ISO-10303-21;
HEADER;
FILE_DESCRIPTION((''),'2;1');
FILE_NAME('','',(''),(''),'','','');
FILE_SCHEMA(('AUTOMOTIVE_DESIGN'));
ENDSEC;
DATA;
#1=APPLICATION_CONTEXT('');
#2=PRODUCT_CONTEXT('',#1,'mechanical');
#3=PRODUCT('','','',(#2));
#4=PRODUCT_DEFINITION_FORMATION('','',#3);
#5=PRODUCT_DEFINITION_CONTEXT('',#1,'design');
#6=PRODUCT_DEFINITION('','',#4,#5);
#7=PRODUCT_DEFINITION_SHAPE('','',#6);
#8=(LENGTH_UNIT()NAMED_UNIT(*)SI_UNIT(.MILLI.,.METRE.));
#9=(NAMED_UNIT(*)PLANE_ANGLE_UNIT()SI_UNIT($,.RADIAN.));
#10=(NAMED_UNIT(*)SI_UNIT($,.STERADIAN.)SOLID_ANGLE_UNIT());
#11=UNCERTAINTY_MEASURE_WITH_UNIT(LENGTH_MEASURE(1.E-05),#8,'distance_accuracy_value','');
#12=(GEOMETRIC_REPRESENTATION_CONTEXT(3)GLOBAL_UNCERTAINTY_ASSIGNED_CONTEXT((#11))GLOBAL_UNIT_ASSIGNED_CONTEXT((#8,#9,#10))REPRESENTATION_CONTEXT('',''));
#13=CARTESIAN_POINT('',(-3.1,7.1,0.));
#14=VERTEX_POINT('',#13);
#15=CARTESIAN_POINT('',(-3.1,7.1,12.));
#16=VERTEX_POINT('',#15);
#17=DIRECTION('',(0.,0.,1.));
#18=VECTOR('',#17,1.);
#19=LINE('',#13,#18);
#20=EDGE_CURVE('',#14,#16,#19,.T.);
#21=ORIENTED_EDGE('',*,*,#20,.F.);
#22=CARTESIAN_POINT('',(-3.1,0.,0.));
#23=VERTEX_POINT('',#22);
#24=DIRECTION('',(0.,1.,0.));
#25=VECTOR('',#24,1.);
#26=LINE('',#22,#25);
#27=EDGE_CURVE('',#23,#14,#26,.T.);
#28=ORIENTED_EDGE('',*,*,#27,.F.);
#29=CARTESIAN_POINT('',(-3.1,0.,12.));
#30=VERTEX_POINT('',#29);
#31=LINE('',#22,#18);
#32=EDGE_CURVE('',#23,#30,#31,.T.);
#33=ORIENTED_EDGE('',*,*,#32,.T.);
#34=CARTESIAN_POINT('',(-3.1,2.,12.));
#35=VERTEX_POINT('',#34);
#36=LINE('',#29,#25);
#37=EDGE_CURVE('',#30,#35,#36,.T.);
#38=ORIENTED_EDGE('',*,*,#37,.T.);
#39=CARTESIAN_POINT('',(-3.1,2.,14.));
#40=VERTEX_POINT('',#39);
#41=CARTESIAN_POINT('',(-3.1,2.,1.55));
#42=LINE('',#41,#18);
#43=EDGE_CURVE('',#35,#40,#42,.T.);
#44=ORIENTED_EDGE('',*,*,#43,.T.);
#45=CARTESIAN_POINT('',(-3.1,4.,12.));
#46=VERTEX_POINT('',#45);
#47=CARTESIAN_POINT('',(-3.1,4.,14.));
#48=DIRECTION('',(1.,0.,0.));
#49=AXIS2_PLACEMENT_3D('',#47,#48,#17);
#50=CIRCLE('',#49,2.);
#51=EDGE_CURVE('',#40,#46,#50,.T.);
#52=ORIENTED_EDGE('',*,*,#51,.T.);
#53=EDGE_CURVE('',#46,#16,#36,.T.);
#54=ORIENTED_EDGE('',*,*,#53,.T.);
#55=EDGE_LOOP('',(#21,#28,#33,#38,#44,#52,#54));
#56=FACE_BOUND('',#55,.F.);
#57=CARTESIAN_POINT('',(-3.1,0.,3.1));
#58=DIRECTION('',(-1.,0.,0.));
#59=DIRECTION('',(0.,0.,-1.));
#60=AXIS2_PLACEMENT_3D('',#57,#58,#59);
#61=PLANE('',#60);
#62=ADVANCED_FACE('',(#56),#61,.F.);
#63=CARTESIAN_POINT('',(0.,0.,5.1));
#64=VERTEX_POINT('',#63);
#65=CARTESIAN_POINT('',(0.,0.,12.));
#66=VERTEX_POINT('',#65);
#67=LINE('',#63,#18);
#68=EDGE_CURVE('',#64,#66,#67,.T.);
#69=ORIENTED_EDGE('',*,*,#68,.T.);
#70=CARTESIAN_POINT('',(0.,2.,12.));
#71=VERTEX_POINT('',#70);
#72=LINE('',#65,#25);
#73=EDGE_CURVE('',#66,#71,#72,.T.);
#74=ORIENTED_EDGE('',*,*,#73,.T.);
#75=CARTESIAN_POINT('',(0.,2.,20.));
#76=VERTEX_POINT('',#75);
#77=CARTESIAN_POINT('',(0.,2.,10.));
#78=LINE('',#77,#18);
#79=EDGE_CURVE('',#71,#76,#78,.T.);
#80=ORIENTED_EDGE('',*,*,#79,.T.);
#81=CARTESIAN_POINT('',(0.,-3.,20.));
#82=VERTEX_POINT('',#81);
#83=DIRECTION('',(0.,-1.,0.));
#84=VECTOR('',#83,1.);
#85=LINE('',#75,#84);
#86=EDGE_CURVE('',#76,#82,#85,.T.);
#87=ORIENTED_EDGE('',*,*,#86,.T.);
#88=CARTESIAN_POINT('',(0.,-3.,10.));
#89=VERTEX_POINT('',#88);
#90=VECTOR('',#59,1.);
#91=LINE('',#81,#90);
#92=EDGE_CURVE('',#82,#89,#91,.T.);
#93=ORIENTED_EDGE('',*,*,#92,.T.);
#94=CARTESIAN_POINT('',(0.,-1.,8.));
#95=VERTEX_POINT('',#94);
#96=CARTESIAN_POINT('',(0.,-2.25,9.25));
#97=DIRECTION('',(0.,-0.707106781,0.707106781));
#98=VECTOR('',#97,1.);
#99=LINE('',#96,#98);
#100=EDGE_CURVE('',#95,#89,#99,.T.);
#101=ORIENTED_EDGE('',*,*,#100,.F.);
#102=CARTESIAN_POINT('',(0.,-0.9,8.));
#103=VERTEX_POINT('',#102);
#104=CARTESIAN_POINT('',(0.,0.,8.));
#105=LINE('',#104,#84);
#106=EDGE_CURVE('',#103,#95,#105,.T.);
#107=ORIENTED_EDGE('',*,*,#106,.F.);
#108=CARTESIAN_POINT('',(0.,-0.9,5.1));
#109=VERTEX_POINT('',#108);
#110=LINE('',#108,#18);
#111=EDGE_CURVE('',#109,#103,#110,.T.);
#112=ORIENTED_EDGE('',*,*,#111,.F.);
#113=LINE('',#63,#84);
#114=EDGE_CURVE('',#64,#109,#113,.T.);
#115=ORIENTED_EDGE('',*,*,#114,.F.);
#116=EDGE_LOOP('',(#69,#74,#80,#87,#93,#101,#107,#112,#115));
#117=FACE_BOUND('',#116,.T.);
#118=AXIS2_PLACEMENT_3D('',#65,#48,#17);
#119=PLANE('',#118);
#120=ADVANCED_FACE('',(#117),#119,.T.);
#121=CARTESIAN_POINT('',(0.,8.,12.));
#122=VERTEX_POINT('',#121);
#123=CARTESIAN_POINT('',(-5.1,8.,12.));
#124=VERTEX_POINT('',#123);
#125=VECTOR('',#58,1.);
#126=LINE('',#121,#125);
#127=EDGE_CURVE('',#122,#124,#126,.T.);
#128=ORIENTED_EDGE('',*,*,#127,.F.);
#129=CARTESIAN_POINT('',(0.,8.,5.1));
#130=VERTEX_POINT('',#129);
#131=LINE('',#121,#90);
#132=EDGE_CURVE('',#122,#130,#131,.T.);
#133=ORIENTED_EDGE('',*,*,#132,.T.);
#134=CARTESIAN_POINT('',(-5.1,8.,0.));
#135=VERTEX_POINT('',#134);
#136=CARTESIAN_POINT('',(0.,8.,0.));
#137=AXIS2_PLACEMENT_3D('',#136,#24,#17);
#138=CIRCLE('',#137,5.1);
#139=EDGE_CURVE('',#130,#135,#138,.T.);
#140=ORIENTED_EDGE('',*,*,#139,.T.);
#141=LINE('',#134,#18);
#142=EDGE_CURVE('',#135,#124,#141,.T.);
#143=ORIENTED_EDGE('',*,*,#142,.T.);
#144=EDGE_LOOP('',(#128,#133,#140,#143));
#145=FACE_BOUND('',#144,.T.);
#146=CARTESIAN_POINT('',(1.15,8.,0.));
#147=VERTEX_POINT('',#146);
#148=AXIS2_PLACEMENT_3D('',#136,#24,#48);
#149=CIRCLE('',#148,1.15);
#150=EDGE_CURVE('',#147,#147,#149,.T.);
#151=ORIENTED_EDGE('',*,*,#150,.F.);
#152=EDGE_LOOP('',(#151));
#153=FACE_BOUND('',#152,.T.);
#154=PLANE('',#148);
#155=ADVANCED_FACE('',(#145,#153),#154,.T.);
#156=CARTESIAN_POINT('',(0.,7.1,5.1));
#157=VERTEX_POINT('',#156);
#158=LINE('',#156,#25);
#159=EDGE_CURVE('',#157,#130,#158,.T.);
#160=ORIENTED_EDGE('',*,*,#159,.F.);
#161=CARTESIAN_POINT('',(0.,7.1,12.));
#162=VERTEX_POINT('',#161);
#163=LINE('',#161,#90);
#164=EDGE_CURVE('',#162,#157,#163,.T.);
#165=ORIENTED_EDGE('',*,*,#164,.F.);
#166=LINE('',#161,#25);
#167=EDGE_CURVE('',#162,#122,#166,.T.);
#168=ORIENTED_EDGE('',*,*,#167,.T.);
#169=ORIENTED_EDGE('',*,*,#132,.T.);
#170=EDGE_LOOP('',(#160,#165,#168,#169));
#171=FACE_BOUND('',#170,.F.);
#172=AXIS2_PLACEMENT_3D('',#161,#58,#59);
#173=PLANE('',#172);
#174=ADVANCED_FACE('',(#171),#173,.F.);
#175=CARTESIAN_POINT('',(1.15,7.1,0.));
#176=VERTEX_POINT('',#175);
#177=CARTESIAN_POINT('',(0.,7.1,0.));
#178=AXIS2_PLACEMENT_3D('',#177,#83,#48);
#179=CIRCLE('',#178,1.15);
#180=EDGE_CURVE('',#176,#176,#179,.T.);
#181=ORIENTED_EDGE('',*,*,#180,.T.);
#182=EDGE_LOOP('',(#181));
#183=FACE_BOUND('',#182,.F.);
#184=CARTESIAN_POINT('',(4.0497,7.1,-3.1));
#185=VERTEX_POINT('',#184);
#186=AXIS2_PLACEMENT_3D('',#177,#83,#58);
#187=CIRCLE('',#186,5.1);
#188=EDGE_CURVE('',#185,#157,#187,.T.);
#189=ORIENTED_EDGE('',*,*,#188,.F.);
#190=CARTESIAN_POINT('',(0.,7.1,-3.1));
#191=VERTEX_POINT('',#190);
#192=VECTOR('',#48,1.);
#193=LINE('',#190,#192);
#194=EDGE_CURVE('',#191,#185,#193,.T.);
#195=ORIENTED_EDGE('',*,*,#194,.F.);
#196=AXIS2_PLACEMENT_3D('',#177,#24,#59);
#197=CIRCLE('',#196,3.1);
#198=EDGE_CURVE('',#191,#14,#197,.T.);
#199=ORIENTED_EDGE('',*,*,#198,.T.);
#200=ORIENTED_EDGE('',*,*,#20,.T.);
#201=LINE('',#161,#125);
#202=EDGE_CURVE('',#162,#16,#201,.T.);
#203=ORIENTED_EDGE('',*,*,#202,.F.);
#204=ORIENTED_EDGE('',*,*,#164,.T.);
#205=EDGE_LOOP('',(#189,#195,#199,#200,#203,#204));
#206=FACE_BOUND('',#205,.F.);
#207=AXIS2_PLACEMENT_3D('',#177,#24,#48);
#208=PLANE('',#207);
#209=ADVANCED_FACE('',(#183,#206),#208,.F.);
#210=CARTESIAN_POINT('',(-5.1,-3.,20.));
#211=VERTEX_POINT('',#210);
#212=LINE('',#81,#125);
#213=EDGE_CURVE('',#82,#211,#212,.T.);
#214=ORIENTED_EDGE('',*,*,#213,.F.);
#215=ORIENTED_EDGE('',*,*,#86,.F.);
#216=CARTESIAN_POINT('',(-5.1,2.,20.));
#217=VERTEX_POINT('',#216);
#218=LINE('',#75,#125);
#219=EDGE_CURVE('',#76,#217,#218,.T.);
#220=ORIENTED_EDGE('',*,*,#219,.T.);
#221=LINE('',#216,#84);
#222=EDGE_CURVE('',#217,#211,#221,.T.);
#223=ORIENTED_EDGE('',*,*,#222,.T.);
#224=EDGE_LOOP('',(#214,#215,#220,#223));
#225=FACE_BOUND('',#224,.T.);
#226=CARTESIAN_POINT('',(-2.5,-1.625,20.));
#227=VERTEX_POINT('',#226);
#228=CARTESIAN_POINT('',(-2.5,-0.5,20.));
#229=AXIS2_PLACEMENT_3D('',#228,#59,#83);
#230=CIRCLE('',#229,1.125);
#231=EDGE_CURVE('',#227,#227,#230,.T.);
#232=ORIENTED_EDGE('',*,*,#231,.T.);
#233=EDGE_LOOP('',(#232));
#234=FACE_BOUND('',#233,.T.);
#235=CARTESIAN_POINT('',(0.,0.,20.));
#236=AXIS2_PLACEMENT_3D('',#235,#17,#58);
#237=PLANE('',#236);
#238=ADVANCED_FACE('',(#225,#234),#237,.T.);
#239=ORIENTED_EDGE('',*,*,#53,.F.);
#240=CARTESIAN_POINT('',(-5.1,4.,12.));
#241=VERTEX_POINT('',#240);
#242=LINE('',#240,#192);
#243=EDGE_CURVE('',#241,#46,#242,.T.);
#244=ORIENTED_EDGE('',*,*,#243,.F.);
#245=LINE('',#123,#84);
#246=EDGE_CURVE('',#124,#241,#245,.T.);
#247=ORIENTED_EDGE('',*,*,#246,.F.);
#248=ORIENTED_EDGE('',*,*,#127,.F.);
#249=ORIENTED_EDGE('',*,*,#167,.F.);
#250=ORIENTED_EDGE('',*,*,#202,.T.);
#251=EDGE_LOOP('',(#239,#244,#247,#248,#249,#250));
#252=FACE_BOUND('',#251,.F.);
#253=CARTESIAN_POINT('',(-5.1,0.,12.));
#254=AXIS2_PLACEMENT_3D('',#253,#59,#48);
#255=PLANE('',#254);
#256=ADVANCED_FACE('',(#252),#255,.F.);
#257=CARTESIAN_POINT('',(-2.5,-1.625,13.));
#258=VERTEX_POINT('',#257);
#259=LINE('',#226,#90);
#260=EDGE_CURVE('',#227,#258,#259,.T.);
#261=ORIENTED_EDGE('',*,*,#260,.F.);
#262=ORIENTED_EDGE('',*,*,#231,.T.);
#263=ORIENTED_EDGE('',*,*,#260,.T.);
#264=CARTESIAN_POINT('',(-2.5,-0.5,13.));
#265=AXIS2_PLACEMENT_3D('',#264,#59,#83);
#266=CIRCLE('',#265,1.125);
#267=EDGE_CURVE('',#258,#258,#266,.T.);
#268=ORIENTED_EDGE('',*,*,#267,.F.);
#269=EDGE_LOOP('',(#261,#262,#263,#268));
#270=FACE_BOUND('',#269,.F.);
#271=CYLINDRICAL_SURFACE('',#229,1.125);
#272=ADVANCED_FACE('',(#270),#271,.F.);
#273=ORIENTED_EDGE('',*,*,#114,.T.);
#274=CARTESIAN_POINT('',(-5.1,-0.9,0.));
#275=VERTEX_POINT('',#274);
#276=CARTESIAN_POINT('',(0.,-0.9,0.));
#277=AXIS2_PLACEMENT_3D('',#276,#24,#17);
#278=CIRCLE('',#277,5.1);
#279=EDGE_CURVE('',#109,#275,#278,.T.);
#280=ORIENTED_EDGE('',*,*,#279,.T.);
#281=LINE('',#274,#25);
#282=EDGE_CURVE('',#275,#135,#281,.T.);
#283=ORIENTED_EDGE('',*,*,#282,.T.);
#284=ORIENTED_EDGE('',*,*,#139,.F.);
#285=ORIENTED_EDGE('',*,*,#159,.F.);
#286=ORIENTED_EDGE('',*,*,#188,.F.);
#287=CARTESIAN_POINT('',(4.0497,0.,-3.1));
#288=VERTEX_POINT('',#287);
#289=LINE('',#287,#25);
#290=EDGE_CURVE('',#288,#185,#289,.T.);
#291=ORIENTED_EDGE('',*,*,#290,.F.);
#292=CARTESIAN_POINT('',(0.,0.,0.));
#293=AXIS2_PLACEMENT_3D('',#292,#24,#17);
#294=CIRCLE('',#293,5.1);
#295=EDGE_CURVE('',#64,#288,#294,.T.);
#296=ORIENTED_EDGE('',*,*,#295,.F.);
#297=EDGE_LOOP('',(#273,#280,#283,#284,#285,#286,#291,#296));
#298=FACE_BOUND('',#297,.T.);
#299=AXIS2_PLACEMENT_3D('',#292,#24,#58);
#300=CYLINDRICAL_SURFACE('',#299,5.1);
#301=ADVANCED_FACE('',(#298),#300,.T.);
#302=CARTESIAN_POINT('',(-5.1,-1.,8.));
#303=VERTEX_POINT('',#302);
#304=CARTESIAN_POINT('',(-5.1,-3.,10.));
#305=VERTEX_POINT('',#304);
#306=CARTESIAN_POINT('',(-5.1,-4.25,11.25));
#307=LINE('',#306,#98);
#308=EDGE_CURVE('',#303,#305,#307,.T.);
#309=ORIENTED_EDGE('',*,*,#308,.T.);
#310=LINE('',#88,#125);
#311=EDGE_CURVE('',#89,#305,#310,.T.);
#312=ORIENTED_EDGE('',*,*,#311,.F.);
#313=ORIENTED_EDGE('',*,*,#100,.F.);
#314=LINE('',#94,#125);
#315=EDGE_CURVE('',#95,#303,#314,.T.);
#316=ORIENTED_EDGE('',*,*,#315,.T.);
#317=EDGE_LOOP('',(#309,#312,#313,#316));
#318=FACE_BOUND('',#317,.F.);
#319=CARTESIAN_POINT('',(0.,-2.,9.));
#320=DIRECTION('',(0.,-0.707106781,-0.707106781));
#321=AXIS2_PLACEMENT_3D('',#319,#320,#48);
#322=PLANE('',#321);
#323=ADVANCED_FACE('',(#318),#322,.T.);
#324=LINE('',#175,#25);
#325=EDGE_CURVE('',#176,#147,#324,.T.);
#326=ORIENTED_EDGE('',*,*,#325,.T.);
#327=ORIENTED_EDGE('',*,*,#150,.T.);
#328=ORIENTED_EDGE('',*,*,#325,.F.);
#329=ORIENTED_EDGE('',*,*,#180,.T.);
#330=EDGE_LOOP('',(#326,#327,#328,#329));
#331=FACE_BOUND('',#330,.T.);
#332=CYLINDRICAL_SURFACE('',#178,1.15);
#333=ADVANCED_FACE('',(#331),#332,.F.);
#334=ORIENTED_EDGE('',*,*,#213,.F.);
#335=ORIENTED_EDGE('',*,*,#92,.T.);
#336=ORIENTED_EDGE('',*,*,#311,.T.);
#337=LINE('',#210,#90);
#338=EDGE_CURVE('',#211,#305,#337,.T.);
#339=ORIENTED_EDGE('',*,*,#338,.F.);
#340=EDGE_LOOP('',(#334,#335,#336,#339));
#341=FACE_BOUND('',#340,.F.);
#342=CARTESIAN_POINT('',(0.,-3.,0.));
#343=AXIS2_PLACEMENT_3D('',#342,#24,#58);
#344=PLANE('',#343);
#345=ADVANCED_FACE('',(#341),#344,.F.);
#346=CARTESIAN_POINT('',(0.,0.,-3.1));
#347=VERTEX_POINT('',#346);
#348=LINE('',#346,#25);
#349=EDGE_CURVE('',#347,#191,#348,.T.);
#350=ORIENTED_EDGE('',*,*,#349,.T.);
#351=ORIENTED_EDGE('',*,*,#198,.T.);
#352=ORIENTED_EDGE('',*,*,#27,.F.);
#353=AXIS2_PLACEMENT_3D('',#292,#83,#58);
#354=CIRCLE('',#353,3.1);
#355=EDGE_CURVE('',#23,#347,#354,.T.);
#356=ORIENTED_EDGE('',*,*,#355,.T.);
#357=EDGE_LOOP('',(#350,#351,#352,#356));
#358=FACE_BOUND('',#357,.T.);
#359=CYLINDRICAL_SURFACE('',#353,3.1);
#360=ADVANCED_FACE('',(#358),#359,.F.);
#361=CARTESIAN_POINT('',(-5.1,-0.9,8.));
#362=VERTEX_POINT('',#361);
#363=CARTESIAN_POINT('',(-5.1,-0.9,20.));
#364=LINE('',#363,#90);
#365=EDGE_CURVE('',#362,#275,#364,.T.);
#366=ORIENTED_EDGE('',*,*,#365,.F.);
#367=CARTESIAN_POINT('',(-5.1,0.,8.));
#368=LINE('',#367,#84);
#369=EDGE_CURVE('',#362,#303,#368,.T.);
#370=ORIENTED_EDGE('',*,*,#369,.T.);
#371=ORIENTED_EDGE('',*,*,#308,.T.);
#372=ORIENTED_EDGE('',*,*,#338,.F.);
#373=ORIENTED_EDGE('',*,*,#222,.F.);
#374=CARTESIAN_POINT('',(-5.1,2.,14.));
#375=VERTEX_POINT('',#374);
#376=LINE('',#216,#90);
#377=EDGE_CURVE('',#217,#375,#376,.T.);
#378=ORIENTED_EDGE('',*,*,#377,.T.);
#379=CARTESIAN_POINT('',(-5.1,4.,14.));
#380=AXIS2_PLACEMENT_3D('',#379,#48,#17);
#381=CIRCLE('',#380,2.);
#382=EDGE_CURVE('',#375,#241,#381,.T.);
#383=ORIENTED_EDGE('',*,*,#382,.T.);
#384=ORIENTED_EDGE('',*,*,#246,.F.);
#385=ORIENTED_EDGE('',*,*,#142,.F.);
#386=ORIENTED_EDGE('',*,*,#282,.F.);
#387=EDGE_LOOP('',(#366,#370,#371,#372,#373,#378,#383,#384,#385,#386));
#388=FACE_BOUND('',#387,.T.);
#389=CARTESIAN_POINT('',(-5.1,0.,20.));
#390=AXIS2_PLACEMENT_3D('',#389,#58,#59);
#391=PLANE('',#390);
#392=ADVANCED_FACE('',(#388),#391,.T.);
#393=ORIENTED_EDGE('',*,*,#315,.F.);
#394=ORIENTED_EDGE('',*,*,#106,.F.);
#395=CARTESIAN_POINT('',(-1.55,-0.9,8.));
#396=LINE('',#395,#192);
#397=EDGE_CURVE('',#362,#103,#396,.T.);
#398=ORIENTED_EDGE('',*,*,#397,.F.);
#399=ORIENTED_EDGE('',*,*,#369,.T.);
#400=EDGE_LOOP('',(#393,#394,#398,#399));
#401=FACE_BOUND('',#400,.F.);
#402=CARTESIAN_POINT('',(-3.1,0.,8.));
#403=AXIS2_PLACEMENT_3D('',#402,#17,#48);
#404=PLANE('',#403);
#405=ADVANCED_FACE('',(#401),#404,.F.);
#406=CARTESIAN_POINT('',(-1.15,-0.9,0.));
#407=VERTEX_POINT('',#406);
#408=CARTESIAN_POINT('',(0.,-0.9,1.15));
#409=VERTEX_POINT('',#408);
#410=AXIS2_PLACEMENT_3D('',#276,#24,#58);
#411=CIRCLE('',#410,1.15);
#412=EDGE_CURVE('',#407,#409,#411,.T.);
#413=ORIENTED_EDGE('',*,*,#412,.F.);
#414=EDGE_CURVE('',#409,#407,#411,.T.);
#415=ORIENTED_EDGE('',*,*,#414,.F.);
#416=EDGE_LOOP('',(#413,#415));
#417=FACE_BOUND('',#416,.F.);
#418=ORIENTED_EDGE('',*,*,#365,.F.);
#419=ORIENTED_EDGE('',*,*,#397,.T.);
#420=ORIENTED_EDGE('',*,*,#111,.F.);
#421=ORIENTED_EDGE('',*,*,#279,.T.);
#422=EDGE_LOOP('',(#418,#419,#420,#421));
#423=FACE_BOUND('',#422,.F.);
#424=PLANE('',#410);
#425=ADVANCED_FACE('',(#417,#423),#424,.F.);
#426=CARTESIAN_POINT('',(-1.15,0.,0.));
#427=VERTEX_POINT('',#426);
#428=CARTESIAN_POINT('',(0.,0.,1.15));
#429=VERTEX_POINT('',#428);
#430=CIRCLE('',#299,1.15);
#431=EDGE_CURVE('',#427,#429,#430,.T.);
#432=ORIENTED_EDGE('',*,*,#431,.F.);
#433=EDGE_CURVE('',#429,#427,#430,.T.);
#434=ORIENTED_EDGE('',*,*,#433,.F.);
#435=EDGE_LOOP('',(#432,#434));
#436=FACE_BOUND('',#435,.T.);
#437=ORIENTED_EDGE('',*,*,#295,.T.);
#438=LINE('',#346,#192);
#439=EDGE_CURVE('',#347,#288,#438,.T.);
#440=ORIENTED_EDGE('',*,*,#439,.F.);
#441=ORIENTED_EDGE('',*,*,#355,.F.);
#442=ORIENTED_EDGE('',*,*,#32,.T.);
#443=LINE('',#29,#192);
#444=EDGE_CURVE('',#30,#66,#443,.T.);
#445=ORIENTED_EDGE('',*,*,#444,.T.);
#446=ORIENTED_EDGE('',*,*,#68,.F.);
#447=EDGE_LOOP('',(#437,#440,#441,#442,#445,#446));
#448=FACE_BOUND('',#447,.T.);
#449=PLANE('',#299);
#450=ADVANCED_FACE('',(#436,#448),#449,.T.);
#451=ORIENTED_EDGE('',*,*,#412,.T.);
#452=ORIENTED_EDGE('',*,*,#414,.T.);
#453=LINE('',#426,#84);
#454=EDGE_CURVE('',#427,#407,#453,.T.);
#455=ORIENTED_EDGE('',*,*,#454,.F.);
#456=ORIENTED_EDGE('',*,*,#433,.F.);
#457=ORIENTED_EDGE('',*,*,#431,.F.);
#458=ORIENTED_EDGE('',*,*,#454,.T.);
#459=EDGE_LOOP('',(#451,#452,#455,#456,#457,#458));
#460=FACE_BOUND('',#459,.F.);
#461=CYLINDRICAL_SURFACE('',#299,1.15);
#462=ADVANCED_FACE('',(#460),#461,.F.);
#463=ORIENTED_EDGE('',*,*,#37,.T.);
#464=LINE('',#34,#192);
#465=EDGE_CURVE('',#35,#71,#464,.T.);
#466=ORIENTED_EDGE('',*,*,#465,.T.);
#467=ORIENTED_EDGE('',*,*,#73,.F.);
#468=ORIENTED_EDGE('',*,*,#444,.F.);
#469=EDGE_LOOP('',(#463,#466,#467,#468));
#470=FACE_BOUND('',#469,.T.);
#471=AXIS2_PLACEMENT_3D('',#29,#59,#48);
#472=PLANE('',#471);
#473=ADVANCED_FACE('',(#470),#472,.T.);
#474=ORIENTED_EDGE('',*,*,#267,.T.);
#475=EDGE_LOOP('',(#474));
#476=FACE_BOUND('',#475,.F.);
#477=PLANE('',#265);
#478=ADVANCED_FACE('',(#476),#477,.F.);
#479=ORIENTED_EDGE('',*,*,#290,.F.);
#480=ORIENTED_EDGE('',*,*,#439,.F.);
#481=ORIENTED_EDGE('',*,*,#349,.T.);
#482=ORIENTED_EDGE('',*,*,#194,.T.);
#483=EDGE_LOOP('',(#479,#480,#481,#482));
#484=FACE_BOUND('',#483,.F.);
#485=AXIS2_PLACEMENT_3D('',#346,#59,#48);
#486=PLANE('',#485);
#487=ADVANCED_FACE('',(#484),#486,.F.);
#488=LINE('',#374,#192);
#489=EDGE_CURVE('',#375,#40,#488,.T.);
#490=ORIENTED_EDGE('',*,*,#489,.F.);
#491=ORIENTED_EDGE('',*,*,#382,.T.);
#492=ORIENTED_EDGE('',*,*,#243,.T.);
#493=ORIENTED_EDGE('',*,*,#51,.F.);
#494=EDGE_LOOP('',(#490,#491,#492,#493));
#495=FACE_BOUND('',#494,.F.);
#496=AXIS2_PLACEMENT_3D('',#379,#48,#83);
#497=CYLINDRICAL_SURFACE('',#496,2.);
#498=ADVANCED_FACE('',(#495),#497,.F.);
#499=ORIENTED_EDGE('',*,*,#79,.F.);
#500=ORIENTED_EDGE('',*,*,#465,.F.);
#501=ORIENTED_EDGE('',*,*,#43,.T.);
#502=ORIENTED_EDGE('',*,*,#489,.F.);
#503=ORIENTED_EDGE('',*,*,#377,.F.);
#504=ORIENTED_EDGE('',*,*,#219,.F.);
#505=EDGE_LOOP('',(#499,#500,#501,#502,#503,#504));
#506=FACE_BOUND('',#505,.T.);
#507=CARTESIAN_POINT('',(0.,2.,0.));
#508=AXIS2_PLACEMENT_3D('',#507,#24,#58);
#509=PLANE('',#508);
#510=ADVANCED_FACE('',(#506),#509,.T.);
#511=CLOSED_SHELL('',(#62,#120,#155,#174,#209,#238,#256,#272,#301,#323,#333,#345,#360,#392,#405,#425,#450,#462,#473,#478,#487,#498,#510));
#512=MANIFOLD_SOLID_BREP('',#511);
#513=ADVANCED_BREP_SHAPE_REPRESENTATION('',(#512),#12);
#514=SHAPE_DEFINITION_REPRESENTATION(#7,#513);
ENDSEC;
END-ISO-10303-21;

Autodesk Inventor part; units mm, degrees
ref_plane "YZ Plane" through (0, 0, 0) normal (1, 0, 0) x (0, 1, 0)
ref_plane "XZ Plane" through (0, 0, 0) normal (0, 1, 0) x (-1, 0, 0)
ref_plane "XY Plane" through (0, 0, 0) normal (0, 0, 1) x (1, 0, 0)
sketch "スケッチ1" plane through (0, 0, 0) normal (0, 1, 0) x (-1, 0, 0)
  circle A0 centre (0, 0) radius 1.15
  circle A1 centre (0, 0) radius 3.1
  circle A2 centre (0, 0) radius 5.1
  line L0 (3.1, 0) -> (5.1, 0)
  line L1 (5.1, 0) -> (5.1, 10)
  line L2 (5.1, 10) -> (3.1, 10)
  line L3 (3.1, 10) -> (3.1, 0)
  line L4 (0, 3.1) -> (3.1, 3.1)
  line L5 (5.1, 0) -> (1.8843, -2.4616)
  line L6 (5.1, 10) -> (0, 10)
  line L7 (0, 10) -> (0, 20)
  line L8 (0, 20) -> (5.1, 20)
  line L9 (5.1, 20) -> (5.1, 10)
  line L10 (0, 10) -> (0, 0)
  line L11 (0, -3.1) -> (-4.0497, -3.1)
  line L12 (3.1, 10) -> (5.1, 10)
  line L13 (5.1, 10) -> (5.1, 12)
  line L14 (5.1, 12) -> (3.1, 12)
  line L15 (3.1, 12) -> (3.1, 10)
  line L16 (3.1, 12) -> (0, 12)
  line L17 (0, 12) -> (0, 10)
  line L18 (0, 10) -> (3.1, 10)
  line L19 (3.1, 10) -> (3.1, 12)
  line L20 (0, 12) -> (5.1, 12)
  line L21 (5.1, 12) -> (5.1, 8)
  line L22 (5.1, 8) -> (0, 8)
  line L23 (0, 8) -> (0, 12)
  point P0 (0, 5.1)
  dimension "d2" = 10.2
  dimension "d0" = 2.3
  dimension "d1" = 6.2
  dimension "d3" = 10
  dimension "d4" = 10
  dimension "d7" = 2
  dimension "d8" = 2
  dimension "d22" = 4
extrude "押し出し1" add sketch "スケッチ1" along normal blind 7.1 contours L0 L5 A1 | L3 A2 L0 | A1 L5 A2 L11 | A2 L3 L22 L1 | L22 L3 L2 L1 | L2 L15 L14 L9
extrude "押し出し2" add sketch "スケッチ1" against normal blind 0.9
sketch "スケッチ2" plane through (0, 7.1, 0) normal (0, 1, 0) x (1, 0, 0)
  circle A0 centre (0, 0) radius 1.15
  circle A1 centre (0, 0) radius 3.1
  circle A2 centre (0, 0) radius 5.1
  line L0 (0, -12) -> (-5.1, -12)
  line L1 (0, 0) -> (-5.1, 0)
  line L2 (-5.1, 0) -> (-5.1, -12)
  line L3 (-5.1, -12) -> (0, -12)
  line L4 (0, -12) -> (0, 0)
  point P0 (0, -5.1)
  dimension "d11" = 2.3
  dimension "d12" = 6.2
  dimension "d13" = 10.2
  dimension "d14" = 5.1
  dimension "d15" = 12
extrude "押し出し3" add sketch "スケッチ2" along normal blind 0.9 contours A0 L1 A1 L4 | A0 L4 A1 L1 | L1 A2 L4 A1 | A1 L4 A2 L1 | A2 L4 L0 L2
extrude "押し出し4" add sketch "スケッチ1" along normal blind 2 contours L7 L8 L9 L14 L16
extrude "押し出し5" add sketch "スケッチ1" against normal blind 3 contours L10 L6 L3 L22 | L22 L3 L2 L1 | L7 L16 L15 L6 | L2 L15 L14 L9 | L7 L8 L9 L14 L16
chamfer "面取り1" distance 2 angle 45 1 edges at (-2.55, -3, 8)
sketch "スケッチ3" plane through (-5.1, 2, 20) normal (0, 0, 1) x (1, 0, 0)
  line L0 (0, -5) -> (0, 0) projected
  line L1 (0, 0) -> (2.6, 0)
  line L2 (2.6, 0) -> (2.6, -2.5)
  line L3 (2.6, -2.5) -> (0, -2.5)
  line L4 (0, -2.5) -> (0, 0)
  circle A0 centre (2.6, -2.5) radius 1.125
  point P0 (5.1, -2)
  dimension "d26" = 2.6
  dimension "d27" = 2.5
  dimension "d28" = 2.25
hole "穴1" at (-2.5, -0.5, 20) direction (0, 0, -1) diameter 2.25 depth 7
fillet "フィレット1" radius 2 1 edges at (-4.1, 2, 12)
properties part number "srod2.5_2.25"
